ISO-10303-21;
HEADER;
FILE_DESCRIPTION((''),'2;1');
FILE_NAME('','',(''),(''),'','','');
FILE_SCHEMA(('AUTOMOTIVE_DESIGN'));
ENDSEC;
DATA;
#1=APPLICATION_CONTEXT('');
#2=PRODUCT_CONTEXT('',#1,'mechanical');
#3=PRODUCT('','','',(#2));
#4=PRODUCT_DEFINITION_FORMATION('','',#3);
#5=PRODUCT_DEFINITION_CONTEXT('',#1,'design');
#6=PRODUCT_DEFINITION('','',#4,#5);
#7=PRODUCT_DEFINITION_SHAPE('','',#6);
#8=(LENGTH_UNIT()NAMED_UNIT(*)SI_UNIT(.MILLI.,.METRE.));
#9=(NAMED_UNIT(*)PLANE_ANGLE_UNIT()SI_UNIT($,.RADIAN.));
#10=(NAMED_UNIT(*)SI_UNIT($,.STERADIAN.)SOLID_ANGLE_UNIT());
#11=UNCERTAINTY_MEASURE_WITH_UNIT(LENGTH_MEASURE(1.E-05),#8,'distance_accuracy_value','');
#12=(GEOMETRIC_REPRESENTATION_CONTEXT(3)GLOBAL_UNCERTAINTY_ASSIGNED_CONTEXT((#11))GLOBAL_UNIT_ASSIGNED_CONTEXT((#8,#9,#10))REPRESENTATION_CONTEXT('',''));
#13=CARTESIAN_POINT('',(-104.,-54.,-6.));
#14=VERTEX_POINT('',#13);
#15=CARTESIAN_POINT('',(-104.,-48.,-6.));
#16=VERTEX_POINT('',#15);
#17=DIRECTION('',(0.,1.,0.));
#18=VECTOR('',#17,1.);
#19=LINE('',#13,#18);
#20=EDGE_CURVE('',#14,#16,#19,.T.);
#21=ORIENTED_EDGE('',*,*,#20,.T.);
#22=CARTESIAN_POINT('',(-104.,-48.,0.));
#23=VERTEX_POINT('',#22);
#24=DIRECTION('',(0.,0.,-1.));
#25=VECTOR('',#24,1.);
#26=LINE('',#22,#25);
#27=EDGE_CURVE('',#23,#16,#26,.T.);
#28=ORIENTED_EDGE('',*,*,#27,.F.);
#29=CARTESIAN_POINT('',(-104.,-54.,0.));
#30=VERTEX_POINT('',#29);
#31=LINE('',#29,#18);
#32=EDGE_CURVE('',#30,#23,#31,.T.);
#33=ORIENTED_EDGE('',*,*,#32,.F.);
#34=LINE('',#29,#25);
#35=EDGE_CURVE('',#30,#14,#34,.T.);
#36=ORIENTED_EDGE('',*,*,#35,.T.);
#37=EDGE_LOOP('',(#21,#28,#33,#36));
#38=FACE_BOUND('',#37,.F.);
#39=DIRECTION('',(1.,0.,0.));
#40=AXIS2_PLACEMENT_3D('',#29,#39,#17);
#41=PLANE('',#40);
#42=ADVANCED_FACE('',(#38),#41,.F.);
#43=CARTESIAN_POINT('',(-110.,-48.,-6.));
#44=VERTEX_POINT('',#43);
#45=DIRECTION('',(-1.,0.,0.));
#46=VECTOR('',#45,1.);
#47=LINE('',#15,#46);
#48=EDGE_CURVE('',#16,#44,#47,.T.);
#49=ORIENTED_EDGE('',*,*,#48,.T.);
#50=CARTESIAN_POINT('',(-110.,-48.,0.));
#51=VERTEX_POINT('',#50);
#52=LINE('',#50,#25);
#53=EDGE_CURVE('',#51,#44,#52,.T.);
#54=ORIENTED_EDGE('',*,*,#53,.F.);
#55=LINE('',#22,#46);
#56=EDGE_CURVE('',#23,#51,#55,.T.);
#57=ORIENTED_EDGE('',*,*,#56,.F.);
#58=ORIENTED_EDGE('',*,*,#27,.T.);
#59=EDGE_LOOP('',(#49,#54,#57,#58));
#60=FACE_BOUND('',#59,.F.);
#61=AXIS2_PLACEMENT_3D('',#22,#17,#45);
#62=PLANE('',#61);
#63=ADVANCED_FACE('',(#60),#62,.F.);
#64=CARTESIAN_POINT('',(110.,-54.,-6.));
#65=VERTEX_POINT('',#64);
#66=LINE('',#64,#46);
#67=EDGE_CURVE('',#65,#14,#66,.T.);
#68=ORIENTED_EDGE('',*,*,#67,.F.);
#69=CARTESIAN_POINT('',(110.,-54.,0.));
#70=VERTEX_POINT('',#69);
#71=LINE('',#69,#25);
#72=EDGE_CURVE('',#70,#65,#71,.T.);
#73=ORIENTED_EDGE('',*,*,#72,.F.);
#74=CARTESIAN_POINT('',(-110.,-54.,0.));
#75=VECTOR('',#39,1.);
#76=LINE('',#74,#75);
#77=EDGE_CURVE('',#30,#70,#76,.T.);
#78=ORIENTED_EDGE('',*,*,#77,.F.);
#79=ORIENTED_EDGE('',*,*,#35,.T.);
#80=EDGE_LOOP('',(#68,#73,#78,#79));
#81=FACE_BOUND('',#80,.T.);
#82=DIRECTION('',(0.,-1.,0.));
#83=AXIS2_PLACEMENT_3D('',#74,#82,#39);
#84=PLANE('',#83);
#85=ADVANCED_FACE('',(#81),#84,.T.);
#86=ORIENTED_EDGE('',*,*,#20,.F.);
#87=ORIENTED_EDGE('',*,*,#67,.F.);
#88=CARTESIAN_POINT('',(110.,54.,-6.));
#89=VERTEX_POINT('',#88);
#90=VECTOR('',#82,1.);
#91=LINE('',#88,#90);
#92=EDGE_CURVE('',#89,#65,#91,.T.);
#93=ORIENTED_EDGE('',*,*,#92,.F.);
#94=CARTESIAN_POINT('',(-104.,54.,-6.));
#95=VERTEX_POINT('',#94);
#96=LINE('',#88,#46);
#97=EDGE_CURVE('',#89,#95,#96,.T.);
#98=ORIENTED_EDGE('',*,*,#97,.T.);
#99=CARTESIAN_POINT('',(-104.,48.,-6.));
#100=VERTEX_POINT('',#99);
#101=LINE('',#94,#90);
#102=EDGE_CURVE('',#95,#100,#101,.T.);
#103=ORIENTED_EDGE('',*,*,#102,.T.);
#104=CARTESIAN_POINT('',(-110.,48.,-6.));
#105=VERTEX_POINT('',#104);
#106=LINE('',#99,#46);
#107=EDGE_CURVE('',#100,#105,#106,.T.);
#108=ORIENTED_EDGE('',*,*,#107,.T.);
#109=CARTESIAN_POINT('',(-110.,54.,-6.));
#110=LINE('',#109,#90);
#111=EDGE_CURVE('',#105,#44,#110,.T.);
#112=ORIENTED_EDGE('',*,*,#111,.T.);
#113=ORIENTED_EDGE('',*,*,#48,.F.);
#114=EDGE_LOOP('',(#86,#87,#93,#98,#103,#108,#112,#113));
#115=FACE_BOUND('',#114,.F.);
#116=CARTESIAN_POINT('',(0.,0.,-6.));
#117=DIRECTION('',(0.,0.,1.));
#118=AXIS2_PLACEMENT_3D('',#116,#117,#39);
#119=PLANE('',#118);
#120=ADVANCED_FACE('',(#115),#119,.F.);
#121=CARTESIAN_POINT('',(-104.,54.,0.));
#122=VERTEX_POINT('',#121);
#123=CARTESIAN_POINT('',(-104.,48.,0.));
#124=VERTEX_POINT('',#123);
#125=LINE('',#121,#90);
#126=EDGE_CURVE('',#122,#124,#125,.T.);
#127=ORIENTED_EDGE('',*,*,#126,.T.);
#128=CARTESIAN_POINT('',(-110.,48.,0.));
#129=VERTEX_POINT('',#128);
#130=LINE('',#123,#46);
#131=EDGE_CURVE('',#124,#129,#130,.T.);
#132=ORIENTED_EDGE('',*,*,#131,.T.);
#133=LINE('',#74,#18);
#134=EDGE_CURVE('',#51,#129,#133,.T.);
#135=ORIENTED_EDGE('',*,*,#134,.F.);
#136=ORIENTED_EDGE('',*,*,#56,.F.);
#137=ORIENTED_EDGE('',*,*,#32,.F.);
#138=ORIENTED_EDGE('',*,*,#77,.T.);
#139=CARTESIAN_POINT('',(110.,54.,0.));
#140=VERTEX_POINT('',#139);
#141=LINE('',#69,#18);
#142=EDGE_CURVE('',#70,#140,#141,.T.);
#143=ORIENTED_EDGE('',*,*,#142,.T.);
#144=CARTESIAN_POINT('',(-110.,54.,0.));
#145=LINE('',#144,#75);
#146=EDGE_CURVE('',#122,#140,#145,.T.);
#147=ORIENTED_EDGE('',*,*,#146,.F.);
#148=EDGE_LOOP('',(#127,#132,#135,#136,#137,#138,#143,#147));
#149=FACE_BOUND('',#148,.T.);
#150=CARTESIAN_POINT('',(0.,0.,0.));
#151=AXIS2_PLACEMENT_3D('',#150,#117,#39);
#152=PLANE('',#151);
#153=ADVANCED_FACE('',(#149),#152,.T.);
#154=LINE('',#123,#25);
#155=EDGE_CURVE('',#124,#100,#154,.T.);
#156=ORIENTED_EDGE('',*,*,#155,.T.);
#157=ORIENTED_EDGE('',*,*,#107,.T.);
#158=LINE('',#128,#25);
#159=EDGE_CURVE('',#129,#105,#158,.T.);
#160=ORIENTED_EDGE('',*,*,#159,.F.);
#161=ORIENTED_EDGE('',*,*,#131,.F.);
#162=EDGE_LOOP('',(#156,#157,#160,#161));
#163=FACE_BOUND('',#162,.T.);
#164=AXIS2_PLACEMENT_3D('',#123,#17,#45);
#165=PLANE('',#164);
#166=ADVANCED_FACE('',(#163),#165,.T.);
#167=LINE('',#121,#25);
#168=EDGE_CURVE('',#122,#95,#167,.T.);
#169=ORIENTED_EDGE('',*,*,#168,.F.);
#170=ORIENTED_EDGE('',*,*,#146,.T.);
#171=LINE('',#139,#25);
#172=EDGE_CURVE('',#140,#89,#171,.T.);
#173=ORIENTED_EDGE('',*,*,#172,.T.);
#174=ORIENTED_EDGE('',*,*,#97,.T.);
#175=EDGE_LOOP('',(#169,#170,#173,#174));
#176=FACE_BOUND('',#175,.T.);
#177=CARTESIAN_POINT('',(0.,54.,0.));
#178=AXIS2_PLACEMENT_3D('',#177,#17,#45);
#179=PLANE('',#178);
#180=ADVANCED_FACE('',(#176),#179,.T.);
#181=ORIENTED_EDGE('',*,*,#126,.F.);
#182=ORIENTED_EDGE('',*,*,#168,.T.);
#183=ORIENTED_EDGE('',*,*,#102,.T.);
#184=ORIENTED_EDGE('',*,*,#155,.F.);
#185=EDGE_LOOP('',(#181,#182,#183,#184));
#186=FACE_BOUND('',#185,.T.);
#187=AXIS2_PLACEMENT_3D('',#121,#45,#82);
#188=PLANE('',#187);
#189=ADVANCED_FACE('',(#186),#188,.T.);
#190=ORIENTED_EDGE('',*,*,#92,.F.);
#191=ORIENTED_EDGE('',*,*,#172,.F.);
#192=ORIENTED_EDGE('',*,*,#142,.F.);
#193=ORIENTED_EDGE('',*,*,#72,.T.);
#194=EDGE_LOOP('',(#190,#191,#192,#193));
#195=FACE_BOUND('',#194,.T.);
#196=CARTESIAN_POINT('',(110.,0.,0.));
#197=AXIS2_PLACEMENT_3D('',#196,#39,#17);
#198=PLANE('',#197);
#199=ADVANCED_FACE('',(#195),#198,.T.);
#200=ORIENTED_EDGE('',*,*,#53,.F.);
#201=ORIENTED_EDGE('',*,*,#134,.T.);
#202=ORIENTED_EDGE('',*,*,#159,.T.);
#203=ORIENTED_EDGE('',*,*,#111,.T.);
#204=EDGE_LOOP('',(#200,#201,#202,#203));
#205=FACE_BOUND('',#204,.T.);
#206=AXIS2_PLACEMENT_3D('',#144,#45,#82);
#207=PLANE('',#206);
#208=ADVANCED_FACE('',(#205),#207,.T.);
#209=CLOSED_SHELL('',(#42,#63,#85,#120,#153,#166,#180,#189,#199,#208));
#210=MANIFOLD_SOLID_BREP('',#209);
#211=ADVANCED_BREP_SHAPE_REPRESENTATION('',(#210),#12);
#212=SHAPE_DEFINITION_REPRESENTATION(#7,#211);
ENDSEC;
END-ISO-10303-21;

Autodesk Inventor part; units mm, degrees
ref_plane "YZ Plane" through (0, 0, 0) normal (1, 0, 0) x (0, 1, 0)
ref_plane "XZ Plane" through (0, 0, 0) normal (0, 1, 0) x (-1, 0, 0)
ref_plane "XY Plane" through (0, 0, 0) normal (0, 0, 1) x (1, 0, 0)
sketch "Skizze1" plane through (0, 0, 0) normal (0, 0, 1) x (1, 0, 0)
  line L0 (-154, 0) -> (154, 0) projected
  line L1 (0, -75.6) -> (0, 75.6) projected
  line L2 (-110, -54) -> (110, -54)
  line L3 (110, -54) -> (110, 54)
  line L4 (110, 54) -> (-110, 54)
  line L5 (-110, 54) -> (-110, -54)
  line L6 (-110, -54) -> (110, 54) construction
  line L7 (110, -54) -> (-110, 54) construction
  point P0 (0, 0)
  dimension "d0" = 220
  dimension "d1" = 108
extrude "Extrusion1" add sketch "Skizze1" against normal blind 6
sketch "Skizze2" plane through (0, 0, 0) normal (0, 0, 1) x (1, 0, 0)
  line L0 (-110, -54) -> (110, -54) projected
  line L1 (110, -54) -> (110, 54) projected
  line L2 (110, 54) -> (-110, 54) projected
  line L3 (-110, 54) -> (-110, -54) projected
  line L4 (-154, 0) -> (154, 0) projected
  line L5 (0, -75.6) -> (0, 75.6) projected
  line L6 (-110, -54) -> (-110, 54) projected
  line L7 (-110, 54) -> (-104, 54)
  line L8 (-104, 54) -> (-104, 48)
  line L9 (-104, 48) -> (-110, 48)
  line L10 (-110, 48) -> (-110, 54)
  line L11 (-110, -54) -> (-104, -54)
  line L12 (-104, -54) -> (-104, -48)
  line L13 (-104, -48) -> (-110, -48)
  line L14 (-110, -48) -> (-110, -54)
  point P0 (0, 0)
  dimension "d4" = 6
  dimension "d5" = 6
  dimension "d6" = 6
  dimension "d7" = 6
extrude "Extrusion2" cut sketch "Skizze2" against normal blind 6 contours L3 L13 L12 L0 | L3 L2 L8 L9
properties part number "II Bodenplatte lang" material "PVC, hart"
